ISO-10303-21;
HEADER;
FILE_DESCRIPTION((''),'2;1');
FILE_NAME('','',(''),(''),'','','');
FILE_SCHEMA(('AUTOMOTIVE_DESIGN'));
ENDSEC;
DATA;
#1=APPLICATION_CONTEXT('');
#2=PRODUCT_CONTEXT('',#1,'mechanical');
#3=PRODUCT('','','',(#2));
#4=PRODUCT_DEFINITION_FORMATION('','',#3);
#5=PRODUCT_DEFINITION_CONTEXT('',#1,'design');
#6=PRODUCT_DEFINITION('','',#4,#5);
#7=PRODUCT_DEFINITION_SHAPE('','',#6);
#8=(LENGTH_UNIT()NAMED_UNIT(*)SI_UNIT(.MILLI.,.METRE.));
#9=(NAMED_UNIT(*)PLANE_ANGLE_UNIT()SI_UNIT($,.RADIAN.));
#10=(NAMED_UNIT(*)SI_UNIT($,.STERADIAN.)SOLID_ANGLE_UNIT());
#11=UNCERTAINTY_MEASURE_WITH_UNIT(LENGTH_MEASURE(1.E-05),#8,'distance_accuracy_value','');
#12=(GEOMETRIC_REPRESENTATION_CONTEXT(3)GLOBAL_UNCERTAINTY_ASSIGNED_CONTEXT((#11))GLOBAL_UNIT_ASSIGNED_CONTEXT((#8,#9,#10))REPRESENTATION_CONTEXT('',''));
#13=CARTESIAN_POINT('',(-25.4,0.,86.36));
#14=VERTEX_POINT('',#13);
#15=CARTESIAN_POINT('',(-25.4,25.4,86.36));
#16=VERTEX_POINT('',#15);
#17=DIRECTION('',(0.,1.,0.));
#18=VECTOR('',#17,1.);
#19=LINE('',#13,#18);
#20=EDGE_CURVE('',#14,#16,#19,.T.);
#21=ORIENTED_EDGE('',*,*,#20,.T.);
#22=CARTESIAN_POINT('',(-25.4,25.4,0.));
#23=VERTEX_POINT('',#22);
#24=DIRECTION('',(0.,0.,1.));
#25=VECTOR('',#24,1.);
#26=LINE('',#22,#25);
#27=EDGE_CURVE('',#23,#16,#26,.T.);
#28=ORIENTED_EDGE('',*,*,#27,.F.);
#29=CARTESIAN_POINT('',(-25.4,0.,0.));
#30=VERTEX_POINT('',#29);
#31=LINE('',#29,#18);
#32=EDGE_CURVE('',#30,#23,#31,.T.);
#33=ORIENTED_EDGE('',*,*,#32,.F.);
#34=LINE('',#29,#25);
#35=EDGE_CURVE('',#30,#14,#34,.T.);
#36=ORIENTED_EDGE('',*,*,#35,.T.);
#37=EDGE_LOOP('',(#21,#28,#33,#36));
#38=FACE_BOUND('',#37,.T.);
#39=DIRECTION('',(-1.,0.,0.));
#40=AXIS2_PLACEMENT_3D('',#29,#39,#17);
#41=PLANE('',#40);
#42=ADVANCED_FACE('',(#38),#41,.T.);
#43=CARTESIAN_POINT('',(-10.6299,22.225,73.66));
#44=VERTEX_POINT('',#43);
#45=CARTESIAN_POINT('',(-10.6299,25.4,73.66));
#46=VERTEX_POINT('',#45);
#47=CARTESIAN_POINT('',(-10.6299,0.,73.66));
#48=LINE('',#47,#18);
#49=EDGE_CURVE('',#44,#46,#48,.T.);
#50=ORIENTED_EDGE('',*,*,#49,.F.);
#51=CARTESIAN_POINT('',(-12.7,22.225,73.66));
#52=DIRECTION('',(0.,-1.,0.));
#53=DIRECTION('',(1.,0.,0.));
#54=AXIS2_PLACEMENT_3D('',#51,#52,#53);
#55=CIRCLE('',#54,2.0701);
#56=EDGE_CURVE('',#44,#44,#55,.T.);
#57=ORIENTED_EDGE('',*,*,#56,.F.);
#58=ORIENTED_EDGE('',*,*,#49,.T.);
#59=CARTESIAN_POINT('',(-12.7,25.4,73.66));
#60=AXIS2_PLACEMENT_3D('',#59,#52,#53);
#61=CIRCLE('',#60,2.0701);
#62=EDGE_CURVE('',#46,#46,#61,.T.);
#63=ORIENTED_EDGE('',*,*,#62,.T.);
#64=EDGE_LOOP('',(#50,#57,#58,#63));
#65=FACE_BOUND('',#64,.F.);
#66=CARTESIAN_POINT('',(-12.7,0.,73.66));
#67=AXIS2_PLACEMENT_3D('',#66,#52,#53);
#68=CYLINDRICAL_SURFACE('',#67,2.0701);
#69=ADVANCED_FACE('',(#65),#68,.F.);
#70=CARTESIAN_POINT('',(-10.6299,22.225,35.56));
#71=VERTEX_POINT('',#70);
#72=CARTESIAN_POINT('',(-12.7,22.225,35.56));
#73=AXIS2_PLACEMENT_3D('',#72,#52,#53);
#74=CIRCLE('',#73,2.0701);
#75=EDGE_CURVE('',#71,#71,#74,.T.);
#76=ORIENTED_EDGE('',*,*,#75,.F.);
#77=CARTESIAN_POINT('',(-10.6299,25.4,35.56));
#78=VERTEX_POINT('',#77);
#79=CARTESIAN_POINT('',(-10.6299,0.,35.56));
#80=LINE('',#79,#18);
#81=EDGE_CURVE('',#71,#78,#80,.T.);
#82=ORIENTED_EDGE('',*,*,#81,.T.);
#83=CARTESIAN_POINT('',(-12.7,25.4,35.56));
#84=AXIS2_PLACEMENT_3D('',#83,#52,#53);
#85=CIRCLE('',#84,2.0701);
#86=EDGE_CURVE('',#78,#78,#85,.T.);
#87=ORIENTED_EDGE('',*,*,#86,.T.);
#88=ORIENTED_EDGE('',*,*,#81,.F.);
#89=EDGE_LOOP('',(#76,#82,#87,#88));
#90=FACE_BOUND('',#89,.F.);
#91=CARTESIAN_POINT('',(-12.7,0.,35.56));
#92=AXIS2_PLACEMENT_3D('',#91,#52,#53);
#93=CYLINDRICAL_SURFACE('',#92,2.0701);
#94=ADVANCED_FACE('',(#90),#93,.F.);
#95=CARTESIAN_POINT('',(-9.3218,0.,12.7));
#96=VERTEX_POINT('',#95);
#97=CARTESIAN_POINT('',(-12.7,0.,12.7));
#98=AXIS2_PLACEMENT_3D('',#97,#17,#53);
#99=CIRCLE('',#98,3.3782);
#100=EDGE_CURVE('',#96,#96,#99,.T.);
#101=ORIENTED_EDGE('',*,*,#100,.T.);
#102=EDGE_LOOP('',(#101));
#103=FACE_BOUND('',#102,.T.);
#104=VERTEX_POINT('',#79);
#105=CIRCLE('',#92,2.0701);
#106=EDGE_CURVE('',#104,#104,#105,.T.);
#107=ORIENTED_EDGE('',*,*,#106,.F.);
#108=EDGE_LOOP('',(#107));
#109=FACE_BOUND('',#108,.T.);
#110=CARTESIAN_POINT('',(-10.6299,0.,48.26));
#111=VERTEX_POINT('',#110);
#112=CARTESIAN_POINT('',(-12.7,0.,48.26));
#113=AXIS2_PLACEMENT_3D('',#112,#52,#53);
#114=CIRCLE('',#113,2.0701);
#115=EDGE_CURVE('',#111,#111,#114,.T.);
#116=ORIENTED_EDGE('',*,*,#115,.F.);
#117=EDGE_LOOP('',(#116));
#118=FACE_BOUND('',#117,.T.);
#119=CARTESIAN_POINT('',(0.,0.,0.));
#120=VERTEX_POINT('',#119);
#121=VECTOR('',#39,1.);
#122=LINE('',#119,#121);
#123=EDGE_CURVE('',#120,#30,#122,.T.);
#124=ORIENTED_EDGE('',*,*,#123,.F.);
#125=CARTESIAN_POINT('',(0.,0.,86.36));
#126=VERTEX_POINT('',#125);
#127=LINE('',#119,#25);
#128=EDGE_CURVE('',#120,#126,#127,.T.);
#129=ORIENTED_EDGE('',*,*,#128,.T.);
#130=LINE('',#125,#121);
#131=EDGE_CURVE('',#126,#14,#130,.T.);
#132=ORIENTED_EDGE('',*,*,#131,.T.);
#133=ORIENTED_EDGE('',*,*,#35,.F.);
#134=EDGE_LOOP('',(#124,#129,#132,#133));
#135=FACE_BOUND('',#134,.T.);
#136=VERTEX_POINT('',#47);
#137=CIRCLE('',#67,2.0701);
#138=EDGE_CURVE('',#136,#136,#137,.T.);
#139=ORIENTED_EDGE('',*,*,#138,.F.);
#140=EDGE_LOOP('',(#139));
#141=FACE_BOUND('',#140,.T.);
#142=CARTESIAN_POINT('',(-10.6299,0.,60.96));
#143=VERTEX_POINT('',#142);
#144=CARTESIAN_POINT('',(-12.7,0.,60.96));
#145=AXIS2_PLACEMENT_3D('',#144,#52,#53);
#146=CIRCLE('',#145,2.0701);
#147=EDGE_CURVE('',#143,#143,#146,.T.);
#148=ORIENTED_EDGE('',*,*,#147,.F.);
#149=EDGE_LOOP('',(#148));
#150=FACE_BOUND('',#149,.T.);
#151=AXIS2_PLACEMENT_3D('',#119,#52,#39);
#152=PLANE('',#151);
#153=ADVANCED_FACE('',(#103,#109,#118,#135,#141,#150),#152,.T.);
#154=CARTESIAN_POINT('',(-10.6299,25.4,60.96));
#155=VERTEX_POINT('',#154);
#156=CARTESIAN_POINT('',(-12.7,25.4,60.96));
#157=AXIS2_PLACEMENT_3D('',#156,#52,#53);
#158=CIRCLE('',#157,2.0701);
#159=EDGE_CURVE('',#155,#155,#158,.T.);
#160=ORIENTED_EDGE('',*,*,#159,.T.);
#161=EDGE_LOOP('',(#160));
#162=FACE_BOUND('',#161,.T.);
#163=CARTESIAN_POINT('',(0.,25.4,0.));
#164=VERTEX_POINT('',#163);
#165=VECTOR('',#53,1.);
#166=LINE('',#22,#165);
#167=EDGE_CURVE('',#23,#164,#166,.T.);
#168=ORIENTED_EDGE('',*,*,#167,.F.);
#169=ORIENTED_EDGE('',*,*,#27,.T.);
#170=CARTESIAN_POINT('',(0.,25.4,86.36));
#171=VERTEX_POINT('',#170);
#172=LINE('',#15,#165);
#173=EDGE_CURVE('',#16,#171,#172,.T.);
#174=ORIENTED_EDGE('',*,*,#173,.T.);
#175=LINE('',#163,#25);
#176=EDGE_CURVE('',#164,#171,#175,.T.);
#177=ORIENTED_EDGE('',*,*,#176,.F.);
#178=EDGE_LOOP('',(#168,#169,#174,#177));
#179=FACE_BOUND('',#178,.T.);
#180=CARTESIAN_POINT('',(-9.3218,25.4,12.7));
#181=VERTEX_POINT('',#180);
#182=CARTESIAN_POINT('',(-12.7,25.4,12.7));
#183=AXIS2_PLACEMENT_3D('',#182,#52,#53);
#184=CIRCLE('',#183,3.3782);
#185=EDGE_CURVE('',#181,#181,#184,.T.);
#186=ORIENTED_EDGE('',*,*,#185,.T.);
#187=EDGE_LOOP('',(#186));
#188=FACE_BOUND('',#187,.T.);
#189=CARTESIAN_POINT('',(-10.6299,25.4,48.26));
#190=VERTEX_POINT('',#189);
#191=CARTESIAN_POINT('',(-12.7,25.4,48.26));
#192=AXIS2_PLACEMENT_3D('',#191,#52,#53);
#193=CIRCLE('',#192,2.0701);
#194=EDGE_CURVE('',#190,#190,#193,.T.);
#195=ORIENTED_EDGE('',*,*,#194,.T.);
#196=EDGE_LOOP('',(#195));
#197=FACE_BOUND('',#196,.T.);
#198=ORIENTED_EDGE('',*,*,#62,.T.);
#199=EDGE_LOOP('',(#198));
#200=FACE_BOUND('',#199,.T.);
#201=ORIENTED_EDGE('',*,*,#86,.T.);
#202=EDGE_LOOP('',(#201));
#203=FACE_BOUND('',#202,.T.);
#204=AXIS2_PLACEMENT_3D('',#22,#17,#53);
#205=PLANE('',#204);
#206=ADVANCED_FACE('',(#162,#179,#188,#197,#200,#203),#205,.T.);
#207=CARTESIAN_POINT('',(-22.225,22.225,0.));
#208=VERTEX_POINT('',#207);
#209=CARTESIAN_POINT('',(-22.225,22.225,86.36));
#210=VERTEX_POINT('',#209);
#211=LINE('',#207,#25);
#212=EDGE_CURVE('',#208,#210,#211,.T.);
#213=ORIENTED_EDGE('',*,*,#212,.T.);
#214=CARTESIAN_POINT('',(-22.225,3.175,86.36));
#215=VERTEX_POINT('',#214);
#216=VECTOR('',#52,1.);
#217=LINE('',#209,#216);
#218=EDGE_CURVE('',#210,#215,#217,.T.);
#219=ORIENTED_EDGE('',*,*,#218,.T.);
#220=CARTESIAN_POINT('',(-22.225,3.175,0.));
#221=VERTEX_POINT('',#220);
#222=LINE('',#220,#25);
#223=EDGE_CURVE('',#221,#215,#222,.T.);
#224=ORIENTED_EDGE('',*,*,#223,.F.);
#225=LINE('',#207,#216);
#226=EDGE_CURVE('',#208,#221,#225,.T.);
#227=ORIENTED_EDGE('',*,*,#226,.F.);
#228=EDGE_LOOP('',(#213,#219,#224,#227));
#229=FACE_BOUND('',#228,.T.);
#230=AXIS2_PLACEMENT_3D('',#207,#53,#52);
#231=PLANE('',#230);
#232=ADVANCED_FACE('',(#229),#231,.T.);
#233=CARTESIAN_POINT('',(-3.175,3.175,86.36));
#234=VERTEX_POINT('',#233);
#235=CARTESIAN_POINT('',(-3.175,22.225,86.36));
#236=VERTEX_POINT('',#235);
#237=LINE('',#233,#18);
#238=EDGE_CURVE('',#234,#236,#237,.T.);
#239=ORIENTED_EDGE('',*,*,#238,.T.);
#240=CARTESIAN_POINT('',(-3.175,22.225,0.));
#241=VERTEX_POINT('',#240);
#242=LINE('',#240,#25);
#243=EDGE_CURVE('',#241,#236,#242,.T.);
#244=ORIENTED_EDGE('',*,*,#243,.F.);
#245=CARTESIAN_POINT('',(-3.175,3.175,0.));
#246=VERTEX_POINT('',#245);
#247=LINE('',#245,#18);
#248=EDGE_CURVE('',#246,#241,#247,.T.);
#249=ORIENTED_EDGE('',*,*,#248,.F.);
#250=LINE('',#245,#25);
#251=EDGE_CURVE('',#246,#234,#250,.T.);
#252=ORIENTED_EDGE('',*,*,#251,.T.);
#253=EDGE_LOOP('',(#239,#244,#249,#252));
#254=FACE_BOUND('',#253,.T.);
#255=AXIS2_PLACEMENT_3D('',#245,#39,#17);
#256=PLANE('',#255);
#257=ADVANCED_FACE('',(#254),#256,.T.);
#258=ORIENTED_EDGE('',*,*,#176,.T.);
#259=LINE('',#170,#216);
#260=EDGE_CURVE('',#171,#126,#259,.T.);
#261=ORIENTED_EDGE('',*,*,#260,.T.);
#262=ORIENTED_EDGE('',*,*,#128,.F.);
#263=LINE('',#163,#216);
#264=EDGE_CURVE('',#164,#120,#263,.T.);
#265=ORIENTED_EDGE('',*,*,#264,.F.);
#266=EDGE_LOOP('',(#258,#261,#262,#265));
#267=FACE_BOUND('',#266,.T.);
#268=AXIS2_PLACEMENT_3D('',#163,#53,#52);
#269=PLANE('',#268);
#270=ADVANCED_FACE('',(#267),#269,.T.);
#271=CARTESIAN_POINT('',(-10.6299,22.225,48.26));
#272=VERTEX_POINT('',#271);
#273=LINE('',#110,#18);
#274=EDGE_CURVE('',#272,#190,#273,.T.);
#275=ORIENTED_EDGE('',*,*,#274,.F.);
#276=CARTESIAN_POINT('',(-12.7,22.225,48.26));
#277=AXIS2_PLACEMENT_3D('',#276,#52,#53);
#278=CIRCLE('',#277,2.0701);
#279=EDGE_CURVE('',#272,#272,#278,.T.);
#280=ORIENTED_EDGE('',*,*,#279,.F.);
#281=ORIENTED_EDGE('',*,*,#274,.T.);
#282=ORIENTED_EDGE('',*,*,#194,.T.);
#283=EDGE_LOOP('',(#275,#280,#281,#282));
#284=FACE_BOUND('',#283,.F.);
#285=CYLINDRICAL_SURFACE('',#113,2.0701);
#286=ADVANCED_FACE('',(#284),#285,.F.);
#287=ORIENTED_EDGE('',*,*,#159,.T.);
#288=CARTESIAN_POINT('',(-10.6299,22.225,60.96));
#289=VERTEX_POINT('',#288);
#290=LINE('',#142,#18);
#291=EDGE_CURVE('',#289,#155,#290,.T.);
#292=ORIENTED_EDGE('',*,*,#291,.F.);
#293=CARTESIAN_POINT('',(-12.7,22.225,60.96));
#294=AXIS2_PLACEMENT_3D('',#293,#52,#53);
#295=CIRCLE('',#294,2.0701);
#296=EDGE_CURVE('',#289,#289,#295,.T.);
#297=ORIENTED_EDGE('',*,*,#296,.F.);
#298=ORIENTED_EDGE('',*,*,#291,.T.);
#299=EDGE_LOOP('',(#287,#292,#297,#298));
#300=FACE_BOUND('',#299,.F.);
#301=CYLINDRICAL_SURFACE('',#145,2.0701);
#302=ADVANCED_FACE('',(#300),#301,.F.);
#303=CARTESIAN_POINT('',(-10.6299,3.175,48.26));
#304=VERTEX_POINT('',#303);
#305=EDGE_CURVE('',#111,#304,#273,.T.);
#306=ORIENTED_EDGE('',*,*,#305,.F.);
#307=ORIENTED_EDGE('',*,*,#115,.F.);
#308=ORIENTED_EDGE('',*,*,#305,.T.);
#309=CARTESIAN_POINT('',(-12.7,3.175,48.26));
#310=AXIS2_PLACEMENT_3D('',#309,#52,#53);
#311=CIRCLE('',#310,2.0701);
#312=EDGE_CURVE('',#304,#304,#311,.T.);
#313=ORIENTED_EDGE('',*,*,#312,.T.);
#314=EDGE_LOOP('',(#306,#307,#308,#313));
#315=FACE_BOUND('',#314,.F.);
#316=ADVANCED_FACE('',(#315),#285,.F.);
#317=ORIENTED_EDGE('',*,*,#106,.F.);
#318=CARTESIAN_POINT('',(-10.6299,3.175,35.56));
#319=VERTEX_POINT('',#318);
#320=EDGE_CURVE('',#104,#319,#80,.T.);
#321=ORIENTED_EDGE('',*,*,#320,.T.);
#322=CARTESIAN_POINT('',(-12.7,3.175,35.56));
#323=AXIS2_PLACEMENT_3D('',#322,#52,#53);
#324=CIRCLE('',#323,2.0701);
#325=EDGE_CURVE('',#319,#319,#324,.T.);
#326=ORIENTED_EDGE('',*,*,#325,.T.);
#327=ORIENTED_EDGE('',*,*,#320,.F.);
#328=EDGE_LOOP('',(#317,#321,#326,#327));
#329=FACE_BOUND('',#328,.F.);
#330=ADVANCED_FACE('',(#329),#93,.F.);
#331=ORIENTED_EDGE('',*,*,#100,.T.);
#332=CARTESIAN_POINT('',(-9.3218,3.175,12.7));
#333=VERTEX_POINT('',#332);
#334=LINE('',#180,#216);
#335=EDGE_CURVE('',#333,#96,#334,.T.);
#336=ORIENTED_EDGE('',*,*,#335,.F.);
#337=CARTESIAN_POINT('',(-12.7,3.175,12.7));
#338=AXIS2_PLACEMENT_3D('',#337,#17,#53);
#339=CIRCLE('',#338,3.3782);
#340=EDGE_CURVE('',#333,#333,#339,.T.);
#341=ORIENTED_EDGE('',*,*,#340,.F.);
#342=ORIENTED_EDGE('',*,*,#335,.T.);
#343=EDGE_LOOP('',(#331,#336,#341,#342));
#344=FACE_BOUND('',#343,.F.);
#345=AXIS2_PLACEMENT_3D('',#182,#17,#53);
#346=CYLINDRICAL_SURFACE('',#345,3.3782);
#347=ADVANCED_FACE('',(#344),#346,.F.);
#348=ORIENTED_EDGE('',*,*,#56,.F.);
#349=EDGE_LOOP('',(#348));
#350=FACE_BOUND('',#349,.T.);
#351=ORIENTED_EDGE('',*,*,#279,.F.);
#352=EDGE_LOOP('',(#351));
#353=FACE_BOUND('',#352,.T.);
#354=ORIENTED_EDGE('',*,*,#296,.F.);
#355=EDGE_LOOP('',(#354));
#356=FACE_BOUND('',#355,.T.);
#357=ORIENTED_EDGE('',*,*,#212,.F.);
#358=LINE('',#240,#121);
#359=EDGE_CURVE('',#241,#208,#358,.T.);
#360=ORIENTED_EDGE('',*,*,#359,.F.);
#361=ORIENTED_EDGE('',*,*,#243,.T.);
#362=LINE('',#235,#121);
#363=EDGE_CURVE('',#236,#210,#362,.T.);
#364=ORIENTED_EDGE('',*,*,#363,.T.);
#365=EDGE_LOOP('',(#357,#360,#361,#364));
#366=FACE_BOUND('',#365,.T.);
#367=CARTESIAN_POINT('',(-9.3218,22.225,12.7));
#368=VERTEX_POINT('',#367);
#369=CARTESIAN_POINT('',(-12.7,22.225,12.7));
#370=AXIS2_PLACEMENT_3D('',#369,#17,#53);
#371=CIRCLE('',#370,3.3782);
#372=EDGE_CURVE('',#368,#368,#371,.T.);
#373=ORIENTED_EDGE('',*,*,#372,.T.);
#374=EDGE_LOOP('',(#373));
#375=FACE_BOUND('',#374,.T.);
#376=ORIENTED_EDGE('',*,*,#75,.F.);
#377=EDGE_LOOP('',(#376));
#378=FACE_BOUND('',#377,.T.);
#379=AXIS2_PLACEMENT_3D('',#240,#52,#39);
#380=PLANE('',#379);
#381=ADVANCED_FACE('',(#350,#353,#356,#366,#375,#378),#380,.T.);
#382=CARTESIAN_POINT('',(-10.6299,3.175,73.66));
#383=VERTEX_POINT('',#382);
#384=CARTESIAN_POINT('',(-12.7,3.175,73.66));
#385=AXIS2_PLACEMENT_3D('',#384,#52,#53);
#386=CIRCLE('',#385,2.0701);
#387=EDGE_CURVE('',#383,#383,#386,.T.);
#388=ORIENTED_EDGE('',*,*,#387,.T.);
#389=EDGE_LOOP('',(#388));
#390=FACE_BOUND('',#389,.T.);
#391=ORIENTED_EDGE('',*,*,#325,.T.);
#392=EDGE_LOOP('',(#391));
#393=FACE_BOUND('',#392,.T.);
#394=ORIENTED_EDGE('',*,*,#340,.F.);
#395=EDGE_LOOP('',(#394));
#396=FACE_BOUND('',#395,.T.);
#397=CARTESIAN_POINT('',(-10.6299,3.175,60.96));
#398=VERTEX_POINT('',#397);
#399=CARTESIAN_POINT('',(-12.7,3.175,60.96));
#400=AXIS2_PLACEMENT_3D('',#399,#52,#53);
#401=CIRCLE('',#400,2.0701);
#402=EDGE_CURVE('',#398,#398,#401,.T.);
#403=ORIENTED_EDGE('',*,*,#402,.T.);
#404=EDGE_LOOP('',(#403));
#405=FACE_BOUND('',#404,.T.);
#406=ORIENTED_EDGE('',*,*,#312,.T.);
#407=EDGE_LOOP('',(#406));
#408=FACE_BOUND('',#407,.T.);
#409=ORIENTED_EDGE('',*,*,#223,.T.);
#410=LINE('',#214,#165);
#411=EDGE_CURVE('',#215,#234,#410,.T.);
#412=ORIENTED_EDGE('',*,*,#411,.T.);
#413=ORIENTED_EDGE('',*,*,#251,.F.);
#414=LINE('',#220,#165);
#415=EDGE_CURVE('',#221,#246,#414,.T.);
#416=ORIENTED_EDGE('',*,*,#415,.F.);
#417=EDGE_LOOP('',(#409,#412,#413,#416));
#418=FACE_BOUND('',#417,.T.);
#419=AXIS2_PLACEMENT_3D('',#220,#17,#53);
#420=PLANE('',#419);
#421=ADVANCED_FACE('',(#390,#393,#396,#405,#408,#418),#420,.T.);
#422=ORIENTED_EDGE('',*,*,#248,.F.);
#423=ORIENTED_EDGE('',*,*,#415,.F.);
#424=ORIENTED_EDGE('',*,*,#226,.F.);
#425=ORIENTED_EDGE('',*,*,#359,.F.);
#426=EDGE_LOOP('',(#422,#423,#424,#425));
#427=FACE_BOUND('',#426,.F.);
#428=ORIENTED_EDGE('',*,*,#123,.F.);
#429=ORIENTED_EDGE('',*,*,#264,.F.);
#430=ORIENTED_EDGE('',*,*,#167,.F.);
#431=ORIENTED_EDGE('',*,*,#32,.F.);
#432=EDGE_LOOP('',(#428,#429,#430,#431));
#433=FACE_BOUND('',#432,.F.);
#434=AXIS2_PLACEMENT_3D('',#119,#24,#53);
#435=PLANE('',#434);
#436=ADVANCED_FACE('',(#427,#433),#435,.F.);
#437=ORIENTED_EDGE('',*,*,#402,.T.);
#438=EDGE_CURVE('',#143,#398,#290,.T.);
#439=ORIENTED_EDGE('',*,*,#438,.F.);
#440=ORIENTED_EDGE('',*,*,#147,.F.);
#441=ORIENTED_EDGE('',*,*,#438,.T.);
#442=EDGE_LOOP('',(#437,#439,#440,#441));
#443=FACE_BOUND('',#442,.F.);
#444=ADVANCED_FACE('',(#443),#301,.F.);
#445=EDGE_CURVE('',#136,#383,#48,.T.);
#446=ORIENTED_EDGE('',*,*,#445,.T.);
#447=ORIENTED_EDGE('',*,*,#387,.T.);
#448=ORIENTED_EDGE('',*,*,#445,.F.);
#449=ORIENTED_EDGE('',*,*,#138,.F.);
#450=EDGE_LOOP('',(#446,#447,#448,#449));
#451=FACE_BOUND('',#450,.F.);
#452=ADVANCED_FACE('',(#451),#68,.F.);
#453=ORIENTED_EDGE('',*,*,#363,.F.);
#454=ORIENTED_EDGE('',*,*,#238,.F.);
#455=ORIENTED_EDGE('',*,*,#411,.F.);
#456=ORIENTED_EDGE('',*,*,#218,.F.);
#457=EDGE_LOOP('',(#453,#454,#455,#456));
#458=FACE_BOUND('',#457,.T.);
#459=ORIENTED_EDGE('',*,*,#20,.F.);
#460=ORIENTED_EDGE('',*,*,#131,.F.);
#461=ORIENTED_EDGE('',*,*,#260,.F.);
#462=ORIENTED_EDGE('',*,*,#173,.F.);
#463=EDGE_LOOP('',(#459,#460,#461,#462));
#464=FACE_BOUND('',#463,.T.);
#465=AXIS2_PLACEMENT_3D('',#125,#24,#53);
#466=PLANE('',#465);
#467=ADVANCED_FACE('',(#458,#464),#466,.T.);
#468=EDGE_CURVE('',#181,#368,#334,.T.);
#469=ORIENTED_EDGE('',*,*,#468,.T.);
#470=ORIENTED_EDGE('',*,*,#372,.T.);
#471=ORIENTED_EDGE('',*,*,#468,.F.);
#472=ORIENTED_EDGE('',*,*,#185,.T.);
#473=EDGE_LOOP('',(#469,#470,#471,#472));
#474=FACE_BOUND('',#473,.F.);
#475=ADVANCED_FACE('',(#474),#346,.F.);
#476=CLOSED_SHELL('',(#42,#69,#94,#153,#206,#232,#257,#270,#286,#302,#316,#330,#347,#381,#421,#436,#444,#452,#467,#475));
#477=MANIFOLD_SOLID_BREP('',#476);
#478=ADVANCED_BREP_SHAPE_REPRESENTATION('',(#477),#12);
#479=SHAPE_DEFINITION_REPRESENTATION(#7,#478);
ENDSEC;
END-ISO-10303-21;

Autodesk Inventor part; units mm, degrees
ref_plane "YZ Plane" through (0, 0, 0) normal (1, 0, 0) x (0, 1, 0)
ref_plane "XZ Plane" through (0, 0, 0) normal (0, 1, 0) x (-1, 0, 0)
ref_plane "XY Plane" through (0, 0, 0) normal (0, 0, 1) x (1, 0, 0)
sketch "Sketch1" plane through (0, 0, 0) normal (0, 0, 1) x (1, 0, 0)
  line L0 (0, 0) -> (-25.4, 0)
  line L1 (-25.4, 0) -> (-25.4, 25.4)
  line L2 (-25.4, 25.4) -> (0, 25.4)
  line L3 (0, 25.4) -> (0, 0)
  line L4 (-3.175, 22.225) -> (-22.225, 22.225)
  line L5 (-22.225, 22.225) -> (-22.225, 3.175)
  line L6 (-22.225, 3.175) -> (-3.175, 3.175)
  line L7 (-3.175, 3.175) -> (-3.175, 22.225)
  dimension "d0" = 25.4
  dimension "d1" = 25.4
  dimension "d2" = 3.175
extrude "Extrusion1" add sketch "Sketch1" along normal blind 86.36
sketch "Sketch2" plane through (-25.4, 25.4, 0) normal (0, 1, 0) x (1, 0, 0)
  line L0 (0, 0) -> (25.4, 0) projected
  line L1 (25.4, 0) -> (25.4, -86.36) projected
  line L2 (12.7, 0) -> (12.7, -12.7)
  circle A0 centre (12.7, -12.7) radius 3.3782
  dimension "d5" = 12.7
  dimension "d6" = 6.7564
extrude "Extrusion2" cut sketch "Sketch2" against normal blind 86.36
sketch "Sketch3" plane through (-25.4, 0, 0) normal (0, -1, 0) x (1, 0, 0)
  circle A0 centre (12.7, 73.66) radius 2.0701 projected
  circle A1 centre (12.7, 60.96) radius 2.0701 projected
  circle A2 centre (12.7, 48.26) radius 2.0701 projected
  circle A3 centre (12.7, 35.56) radius 2.0701 projected
extrude "Extrusion3" cut sketch "Sketch3" against normal blind 25.4
properties part number "side bumper mount" material "Aluminum 6061"
